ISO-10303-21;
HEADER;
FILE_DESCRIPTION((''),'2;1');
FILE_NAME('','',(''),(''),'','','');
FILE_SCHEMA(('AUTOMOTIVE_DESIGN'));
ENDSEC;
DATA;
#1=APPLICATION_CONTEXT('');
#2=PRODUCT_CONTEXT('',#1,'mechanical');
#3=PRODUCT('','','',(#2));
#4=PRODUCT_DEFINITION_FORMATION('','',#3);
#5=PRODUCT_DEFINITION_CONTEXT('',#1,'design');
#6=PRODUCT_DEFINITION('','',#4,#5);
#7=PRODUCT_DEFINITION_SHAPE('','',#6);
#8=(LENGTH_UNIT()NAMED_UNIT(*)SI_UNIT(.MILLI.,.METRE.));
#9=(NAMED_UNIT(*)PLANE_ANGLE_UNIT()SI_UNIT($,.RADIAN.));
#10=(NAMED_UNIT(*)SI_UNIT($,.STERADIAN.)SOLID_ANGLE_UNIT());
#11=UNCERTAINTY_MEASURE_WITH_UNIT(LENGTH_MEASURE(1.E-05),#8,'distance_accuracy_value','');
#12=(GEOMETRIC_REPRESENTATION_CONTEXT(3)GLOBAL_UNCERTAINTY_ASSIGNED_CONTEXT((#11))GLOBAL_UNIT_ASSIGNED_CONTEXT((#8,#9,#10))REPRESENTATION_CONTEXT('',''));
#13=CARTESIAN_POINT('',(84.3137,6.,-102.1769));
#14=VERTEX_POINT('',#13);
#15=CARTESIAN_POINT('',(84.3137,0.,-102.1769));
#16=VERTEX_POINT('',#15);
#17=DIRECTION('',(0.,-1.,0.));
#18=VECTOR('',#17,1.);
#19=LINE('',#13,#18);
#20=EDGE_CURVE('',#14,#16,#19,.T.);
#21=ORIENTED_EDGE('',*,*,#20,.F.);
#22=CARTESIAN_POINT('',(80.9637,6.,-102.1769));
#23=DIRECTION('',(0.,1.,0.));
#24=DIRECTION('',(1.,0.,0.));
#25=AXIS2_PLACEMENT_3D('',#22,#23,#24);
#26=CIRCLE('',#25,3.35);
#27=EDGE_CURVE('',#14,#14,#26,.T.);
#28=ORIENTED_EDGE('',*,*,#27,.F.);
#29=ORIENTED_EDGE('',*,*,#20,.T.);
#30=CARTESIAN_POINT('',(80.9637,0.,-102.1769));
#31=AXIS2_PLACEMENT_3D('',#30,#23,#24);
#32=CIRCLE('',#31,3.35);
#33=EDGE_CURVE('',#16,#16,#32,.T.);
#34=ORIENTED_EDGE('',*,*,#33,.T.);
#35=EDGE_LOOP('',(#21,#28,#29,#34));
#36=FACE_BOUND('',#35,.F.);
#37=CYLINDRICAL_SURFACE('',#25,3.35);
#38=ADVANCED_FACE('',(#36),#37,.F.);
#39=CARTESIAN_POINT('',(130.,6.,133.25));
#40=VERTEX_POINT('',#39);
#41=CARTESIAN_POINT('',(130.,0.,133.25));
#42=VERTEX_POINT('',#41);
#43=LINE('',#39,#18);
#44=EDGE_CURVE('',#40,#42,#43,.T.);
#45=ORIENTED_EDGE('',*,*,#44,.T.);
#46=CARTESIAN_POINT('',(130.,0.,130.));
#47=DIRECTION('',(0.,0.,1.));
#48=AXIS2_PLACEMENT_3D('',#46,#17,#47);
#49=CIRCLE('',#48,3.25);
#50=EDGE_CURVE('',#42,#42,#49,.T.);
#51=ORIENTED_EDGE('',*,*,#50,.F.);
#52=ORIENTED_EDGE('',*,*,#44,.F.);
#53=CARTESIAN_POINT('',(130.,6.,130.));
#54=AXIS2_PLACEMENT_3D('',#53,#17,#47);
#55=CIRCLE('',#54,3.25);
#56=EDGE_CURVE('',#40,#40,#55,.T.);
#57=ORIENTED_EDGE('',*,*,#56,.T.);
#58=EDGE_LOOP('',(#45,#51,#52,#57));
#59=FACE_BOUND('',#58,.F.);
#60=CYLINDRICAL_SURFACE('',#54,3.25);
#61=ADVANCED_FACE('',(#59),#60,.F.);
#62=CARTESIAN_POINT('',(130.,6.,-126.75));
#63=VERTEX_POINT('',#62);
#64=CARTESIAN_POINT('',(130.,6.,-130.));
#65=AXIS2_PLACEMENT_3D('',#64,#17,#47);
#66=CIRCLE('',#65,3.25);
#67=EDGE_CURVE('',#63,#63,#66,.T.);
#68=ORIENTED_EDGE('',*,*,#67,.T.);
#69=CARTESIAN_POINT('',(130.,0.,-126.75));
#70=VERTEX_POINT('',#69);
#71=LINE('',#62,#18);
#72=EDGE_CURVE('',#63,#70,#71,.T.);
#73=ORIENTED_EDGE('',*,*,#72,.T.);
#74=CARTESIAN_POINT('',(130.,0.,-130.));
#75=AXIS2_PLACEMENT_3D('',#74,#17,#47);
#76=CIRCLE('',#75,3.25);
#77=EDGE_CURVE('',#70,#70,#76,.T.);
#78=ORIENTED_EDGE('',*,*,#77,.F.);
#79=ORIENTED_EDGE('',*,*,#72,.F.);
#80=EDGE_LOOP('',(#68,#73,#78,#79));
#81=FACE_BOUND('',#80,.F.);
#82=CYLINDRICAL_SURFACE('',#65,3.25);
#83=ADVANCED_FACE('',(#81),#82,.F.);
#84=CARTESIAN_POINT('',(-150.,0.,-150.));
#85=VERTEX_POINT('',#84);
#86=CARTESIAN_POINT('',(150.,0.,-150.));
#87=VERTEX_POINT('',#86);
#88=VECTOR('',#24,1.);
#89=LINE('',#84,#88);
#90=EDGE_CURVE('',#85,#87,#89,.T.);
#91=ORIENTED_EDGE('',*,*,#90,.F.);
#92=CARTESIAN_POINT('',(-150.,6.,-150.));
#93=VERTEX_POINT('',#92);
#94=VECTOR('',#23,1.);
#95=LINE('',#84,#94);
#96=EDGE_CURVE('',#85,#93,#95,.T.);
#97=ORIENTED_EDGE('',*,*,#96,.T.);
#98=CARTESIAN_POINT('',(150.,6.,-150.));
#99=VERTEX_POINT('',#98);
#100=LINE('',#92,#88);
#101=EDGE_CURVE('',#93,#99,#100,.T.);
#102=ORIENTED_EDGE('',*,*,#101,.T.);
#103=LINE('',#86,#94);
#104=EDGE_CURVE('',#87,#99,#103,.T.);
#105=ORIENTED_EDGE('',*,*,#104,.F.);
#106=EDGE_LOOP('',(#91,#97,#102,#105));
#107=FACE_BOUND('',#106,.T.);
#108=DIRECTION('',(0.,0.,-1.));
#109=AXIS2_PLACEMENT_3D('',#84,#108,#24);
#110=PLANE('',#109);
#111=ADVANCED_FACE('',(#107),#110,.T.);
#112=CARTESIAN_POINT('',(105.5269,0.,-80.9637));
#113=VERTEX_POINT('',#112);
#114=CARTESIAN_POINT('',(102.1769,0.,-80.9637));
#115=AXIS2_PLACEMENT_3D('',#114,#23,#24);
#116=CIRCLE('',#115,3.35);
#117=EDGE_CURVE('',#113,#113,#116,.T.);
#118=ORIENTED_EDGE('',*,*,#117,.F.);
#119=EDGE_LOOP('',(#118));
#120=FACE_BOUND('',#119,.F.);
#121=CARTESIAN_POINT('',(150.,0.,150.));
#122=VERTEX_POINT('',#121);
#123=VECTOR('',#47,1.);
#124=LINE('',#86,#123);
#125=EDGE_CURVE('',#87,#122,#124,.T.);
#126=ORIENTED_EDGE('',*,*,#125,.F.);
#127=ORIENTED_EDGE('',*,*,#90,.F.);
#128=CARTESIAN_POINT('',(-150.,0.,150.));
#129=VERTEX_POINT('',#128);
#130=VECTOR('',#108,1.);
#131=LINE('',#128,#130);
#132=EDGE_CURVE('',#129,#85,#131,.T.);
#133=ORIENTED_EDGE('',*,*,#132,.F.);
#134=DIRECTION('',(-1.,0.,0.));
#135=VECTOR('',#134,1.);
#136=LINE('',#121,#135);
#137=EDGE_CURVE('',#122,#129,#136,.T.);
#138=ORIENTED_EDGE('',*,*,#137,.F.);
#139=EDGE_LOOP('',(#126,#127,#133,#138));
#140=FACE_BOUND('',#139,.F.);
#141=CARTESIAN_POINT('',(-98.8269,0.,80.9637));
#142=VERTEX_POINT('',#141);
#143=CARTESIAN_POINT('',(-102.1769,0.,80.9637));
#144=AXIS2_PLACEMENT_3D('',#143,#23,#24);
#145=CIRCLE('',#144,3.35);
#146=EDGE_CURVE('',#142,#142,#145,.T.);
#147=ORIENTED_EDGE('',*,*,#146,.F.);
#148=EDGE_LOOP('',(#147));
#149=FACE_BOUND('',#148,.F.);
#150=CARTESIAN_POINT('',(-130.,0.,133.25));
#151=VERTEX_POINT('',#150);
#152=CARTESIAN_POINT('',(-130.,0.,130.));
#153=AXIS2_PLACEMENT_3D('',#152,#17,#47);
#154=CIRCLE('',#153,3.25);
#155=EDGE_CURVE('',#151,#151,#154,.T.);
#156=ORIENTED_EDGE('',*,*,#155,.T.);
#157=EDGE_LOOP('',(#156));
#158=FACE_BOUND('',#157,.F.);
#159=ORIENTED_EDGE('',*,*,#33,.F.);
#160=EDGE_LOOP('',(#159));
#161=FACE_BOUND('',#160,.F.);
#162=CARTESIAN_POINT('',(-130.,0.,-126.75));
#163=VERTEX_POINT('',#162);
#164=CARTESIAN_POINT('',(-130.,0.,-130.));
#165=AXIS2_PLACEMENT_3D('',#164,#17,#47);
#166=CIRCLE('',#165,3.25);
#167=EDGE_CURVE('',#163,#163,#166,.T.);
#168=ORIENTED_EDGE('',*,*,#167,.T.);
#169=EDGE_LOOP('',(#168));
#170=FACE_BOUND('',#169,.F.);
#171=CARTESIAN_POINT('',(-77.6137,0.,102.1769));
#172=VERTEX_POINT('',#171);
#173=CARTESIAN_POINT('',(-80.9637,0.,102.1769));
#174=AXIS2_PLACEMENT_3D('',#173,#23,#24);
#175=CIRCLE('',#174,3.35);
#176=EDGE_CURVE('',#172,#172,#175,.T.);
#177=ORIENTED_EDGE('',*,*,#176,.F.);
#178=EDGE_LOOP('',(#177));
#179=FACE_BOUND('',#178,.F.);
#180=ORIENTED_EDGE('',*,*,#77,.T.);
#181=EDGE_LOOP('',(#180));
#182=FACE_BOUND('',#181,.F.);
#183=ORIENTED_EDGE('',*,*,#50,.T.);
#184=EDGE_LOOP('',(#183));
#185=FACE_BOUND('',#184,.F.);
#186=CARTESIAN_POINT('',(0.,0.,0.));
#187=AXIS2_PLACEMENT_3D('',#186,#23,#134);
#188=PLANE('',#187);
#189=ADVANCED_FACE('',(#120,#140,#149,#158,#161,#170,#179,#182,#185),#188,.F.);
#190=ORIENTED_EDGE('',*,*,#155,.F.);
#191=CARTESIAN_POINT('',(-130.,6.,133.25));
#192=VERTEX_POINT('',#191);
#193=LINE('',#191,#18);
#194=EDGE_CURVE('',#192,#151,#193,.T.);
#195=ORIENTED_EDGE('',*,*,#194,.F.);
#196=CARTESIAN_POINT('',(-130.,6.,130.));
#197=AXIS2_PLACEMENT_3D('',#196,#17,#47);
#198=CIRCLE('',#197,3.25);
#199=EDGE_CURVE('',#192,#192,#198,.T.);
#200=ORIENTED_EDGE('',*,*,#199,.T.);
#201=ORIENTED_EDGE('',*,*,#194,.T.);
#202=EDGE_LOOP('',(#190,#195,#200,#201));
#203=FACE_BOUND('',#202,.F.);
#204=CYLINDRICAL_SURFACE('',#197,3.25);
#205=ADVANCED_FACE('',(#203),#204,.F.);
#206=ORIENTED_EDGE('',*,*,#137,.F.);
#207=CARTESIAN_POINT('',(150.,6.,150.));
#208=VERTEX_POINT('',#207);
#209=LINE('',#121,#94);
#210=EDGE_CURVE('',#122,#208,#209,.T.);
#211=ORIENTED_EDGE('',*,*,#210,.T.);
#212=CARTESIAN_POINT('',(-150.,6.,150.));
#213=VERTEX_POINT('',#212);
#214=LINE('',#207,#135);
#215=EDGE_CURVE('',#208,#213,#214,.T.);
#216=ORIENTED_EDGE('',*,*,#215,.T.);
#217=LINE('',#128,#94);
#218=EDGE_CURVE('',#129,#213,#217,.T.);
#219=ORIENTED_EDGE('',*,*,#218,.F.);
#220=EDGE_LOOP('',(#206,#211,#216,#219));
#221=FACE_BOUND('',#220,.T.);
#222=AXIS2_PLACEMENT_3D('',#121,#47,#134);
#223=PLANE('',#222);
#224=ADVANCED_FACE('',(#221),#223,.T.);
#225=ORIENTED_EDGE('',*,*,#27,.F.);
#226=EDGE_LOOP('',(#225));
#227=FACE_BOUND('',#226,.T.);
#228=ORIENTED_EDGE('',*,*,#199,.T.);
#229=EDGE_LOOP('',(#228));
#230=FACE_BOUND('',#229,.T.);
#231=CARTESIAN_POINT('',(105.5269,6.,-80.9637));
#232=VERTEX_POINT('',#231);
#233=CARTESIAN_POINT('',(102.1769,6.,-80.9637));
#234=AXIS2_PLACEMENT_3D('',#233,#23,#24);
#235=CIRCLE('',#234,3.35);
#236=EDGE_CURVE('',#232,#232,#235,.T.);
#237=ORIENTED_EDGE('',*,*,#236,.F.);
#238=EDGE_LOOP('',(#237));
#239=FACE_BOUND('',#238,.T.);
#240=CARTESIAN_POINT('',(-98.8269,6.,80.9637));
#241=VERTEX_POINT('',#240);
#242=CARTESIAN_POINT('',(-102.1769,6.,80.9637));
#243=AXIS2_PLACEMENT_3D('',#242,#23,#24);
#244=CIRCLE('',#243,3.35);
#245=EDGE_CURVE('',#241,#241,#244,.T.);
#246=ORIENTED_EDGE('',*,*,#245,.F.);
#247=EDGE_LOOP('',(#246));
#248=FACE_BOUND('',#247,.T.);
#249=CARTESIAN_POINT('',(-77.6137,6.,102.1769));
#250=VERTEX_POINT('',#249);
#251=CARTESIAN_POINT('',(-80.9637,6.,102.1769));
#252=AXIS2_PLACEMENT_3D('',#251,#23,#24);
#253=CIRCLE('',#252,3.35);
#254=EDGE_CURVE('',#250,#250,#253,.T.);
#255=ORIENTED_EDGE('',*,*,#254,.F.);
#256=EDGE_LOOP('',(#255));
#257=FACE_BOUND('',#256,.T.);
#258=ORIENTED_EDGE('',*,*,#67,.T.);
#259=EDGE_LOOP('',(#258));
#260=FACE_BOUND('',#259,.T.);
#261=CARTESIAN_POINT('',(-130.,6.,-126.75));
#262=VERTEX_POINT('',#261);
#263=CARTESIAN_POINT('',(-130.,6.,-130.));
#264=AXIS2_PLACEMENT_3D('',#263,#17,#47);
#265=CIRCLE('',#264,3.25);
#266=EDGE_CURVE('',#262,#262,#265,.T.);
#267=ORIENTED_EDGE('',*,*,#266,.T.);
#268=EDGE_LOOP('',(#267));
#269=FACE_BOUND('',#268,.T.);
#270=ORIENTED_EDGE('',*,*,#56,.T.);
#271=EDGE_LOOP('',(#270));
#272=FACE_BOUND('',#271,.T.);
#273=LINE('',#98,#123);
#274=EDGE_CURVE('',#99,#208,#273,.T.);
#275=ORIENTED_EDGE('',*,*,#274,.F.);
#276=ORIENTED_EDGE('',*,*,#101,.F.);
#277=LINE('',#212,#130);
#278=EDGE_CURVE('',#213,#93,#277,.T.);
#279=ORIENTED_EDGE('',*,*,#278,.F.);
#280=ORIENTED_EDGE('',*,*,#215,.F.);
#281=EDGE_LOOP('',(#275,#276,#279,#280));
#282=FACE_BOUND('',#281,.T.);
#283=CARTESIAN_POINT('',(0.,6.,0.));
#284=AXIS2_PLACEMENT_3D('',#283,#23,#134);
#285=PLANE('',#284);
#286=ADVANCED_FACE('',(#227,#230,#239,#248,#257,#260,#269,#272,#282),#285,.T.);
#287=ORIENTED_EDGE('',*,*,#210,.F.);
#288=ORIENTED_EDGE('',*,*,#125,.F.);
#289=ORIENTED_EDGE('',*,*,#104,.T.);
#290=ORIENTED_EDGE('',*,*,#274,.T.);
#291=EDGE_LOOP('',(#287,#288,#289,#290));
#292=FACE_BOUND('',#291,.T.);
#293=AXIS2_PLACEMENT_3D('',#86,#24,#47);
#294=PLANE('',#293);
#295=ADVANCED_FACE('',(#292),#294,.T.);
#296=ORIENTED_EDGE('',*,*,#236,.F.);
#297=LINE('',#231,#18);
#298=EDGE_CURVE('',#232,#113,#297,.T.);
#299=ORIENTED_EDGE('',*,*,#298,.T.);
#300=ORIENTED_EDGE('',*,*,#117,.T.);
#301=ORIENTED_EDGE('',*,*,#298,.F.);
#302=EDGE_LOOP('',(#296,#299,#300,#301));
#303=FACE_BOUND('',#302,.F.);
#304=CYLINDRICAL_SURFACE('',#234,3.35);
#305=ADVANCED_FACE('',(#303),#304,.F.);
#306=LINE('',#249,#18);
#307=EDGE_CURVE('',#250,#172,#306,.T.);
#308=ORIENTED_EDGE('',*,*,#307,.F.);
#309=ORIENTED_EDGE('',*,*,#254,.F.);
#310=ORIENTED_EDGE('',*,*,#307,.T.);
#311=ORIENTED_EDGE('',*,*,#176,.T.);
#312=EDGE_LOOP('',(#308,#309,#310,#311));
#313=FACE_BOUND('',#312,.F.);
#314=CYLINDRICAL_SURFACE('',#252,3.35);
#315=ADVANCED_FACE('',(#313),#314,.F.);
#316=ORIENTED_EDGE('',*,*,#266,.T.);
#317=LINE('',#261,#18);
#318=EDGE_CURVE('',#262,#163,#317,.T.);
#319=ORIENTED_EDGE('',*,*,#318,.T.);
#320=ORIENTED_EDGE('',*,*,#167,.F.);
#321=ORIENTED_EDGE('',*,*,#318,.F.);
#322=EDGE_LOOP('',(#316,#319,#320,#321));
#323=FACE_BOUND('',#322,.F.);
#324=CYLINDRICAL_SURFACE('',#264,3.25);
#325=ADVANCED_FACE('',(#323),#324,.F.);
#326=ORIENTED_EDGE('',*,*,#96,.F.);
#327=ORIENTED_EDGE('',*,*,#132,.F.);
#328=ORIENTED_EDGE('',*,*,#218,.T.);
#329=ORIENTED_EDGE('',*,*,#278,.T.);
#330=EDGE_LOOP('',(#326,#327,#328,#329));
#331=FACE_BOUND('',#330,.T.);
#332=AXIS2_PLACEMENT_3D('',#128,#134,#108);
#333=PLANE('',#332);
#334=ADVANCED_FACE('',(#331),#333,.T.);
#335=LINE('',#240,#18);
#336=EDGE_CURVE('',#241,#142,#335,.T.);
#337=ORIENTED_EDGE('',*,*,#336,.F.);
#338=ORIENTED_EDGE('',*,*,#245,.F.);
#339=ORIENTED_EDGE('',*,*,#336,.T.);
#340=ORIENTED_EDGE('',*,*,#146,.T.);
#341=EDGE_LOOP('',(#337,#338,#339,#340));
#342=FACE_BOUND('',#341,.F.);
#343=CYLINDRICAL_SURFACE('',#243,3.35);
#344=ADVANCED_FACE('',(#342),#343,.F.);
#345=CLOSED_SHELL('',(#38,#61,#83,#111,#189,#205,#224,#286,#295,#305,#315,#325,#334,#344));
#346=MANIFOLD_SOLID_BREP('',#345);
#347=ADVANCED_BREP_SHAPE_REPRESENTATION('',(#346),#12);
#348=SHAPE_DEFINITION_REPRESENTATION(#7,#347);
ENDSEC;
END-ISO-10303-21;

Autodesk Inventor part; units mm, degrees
ref_plane "YZ Plane" through (0, 0, 0) normal (1, 0, 0) x (0, 1, 0)
ref_plane "XZ Plane" through (0, 0, 0) normal (0, 1, 0) x (-1, 0, 0)
ref_plane "XY Plane" through (0, 0, 0) normal (0, 0, 1) x (1, 0, 0)
sketch "Sketch1" plane through (0, 0, 0) normal (0, 1, 0) x (-1, 0, 0)
  line L0 (-150, 150) -> (150, 150)
  line L1 (150, 150) -> (150, -150)
  line L2 (150, -150) -> (-150, -150)
  line L3 (-150, -150) -> (-150, 150)
  line L4 (-150, 150) -> (150, -150) construction
  line L5 (150, 150) -> (-150, -150) construction
  point P0 (0, 0)
  dimension "d0" = 300
  dimension "d1" = 300
extrude "Extrusion1" add sketch "Sketch1" along normal blind 6
sketch "Sketch2" plane through (0, 6, 0) normal (0, 1, 0) x (1, 0, 0)
  line L0 (-150, -150) -> (150, -150) projected
  line L1 (150, 150) -> (-150, 150) projected
  line L2 (-150, 150) -> (-150, -150) projected
  line L3 (-150, 150) -> (150, -150) construction
  line L4 (0, 0) -> (-91.5703, -91.5703) construction
  line L5 (0, 0) -> (129.5, 0) construction
  line L6 (-91.5703, -91.5703) -> (-102.1769, -80.9637) construction
  circle A0 centre (-102.1769, -80.9637) radius 3.35
  line L7 (-91.5703, -91.5703) -> (-80.9637, -102.1769) construction
  circle A1 centre (-80.9637, -102.1769) radius 3.35
  circle A2 centre (80.9637, 102.1769) radius 3.35
  circle A3 centre (102.1769, 80.9637) radius 3.35
  dimension "d4" = 129.5
  dimension "d5" = 135
  dimension "d6" = 15
  dimension "d7" = 6.7
extrude "Extrusion2" cut sketch "Sketch2" against normal through all
sketch "Sketch3" plane through (0, 6, 0) normal (0, 1, 0) x (1, 0, 0)
  line L0 (-150, 150) -> (-150, -150) projected
  point P0 (0, 0)
  point P1 (-130, -130)
  point P2 (-130, 130)
  point P3 (130, 130)
  point P4 (130, -130)
  dimension "d17" = 20
hole "Hole1" at (-130, 6, 130) at (-130, 6, -130) at (130, 6, -130) at (130, 6, 130) direction (0, -1, 0) diameter 6.5 end through all
properties part number "Base Plate"
